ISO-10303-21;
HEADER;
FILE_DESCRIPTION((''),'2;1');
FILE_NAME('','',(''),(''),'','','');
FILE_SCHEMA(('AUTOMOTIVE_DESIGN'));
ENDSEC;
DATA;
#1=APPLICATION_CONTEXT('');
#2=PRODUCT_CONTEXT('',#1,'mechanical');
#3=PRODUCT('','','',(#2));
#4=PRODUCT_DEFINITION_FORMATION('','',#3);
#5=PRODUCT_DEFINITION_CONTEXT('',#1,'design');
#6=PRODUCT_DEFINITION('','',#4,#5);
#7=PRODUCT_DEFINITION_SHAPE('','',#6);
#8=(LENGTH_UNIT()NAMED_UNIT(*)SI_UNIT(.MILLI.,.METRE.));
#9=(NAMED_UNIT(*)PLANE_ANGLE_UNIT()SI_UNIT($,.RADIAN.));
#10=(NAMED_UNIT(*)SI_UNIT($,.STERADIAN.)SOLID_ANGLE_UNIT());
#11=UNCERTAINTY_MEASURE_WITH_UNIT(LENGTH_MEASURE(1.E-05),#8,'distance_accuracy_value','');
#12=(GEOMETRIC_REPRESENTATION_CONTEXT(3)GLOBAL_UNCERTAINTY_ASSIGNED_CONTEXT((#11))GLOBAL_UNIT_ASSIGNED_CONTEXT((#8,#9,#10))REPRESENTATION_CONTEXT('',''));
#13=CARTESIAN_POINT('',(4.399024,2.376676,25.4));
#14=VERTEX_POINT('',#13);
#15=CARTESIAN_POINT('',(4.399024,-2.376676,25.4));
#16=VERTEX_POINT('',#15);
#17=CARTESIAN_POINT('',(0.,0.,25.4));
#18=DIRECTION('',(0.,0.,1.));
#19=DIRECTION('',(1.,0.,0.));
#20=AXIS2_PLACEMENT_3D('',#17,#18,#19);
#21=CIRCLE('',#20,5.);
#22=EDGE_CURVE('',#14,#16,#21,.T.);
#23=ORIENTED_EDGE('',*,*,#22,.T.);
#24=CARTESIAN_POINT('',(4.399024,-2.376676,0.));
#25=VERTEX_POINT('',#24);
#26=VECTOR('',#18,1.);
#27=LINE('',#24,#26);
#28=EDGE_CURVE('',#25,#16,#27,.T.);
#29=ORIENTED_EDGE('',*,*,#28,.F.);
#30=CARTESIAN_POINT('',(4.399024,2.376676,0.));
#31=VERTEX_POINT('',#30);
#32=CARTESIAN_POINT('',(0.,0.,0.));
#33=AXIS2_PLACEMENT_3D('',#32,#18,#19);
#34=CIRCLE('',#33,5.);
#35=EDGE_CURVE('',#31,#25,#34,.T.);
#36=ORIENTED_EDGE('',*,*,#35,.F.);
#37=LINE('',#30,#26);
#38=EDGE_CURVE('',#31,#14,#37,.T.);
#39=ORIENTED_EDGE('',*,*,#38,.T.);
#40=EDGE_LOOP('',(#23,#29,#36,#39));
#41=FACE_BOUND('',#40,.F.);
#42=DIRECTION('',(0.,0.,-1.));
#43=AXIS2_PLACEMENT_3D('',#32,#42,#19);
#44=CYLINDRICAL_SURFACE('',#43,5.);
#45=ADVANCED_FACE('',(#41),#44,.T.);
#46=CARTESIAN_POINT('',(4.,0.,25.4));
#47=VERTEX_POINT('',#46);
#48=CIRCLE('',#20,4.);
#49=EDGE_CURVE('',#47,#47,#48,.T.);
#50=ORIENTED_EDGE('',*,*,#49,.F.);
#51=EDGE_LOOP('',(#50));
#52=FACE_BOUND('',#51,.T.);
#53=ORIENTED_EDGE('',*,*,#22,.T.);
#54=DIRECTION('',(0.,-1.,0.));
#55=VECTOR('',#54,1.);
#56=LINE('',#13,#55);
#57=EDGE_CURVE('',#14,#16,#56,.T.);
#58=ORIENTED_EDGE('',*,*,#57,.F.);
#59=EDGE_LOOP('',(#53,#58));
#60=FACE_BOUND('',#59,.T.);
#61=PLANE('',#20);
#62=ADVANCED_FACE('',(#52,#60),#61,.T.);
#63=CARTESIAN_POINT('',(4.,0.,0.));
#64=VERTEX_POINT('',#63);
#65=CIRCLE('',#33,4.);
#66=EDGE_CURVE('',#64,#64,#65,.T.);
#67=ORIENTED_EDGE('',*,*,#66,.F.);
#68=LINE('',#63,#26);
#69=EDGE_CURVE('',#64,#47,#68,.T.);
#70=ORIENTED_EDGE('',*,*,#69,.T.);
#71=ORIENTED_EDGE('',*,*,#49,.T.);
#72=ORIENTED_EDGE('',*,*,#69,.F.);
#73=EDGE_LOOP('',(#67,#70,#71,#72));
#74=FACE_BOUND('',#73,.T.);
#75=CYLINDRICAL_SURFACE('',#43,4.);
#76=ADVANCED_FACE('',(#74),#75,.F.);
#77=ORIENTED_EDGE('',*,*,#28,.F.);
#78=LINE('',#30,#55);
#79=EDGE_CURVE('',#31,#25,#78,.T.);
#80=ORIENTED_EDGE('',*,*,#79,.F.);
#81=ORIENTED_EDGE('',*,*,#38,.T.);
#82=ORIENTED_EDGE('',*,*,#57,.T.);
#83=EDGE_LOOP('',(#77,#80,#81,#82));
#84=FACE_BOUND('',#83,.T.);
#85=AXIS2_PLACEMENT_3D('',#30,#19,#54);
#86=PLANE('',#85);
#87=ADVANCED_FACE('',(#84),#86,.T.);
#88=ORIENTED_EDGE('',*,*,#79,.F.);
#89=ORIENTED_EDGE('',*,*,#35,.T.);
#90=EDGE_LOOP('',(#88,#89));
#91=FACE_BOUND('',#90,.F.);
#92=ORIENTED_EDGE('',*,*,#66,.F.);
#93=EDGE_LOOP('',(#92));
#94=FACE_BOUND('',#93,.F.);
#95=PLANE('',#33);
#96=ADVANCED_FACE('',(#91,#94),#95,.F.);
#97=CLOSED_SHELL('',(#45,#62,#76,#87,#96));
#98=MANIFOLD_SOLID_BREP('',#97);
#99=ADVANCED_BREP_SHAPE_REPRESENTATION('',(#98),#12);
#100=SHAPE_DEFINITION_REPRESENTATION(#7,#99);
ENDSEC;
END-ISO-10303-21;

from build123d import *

# Parameters (mm, degrees)
F0_R     = 5
F1_DEPTH = 25.4
F2_T     = -1
F4_DEPTH = 25.4


with BuildPart() as f1:
    # F0 (on Top) → F1 (new body)
    with BuildSketch(Plane.XY):
        Circle(F0_R)
    extrude(amount=F1_DEPTH)

    # F2
    f2_openings = [f1.faces().sort_by_distance(p)[0] for p in [
        (0, 0, 25.4),
        (0, 0, 0),
    ]]
    offset(amount=F2_T, openings=f2_openings)

    # F3 (on Top) → F4 (cut)
    with BuildSketch(Plane.XY):
        with BuildLine():
            ThreePointArc((4.399024, -2.376676), (4.847428, -1.22574), (5, 0))
            ThreePointArc((5, 0), (4.847428, 1.22574), (4.399024, 2.376676))
            Line((4.399024, 2.376676), (4.399024, -2.376676))
        make_face()
    extrude(amount=F4_DEPTH, mode=Mode.SUBTRACT)


solid = f1.part
